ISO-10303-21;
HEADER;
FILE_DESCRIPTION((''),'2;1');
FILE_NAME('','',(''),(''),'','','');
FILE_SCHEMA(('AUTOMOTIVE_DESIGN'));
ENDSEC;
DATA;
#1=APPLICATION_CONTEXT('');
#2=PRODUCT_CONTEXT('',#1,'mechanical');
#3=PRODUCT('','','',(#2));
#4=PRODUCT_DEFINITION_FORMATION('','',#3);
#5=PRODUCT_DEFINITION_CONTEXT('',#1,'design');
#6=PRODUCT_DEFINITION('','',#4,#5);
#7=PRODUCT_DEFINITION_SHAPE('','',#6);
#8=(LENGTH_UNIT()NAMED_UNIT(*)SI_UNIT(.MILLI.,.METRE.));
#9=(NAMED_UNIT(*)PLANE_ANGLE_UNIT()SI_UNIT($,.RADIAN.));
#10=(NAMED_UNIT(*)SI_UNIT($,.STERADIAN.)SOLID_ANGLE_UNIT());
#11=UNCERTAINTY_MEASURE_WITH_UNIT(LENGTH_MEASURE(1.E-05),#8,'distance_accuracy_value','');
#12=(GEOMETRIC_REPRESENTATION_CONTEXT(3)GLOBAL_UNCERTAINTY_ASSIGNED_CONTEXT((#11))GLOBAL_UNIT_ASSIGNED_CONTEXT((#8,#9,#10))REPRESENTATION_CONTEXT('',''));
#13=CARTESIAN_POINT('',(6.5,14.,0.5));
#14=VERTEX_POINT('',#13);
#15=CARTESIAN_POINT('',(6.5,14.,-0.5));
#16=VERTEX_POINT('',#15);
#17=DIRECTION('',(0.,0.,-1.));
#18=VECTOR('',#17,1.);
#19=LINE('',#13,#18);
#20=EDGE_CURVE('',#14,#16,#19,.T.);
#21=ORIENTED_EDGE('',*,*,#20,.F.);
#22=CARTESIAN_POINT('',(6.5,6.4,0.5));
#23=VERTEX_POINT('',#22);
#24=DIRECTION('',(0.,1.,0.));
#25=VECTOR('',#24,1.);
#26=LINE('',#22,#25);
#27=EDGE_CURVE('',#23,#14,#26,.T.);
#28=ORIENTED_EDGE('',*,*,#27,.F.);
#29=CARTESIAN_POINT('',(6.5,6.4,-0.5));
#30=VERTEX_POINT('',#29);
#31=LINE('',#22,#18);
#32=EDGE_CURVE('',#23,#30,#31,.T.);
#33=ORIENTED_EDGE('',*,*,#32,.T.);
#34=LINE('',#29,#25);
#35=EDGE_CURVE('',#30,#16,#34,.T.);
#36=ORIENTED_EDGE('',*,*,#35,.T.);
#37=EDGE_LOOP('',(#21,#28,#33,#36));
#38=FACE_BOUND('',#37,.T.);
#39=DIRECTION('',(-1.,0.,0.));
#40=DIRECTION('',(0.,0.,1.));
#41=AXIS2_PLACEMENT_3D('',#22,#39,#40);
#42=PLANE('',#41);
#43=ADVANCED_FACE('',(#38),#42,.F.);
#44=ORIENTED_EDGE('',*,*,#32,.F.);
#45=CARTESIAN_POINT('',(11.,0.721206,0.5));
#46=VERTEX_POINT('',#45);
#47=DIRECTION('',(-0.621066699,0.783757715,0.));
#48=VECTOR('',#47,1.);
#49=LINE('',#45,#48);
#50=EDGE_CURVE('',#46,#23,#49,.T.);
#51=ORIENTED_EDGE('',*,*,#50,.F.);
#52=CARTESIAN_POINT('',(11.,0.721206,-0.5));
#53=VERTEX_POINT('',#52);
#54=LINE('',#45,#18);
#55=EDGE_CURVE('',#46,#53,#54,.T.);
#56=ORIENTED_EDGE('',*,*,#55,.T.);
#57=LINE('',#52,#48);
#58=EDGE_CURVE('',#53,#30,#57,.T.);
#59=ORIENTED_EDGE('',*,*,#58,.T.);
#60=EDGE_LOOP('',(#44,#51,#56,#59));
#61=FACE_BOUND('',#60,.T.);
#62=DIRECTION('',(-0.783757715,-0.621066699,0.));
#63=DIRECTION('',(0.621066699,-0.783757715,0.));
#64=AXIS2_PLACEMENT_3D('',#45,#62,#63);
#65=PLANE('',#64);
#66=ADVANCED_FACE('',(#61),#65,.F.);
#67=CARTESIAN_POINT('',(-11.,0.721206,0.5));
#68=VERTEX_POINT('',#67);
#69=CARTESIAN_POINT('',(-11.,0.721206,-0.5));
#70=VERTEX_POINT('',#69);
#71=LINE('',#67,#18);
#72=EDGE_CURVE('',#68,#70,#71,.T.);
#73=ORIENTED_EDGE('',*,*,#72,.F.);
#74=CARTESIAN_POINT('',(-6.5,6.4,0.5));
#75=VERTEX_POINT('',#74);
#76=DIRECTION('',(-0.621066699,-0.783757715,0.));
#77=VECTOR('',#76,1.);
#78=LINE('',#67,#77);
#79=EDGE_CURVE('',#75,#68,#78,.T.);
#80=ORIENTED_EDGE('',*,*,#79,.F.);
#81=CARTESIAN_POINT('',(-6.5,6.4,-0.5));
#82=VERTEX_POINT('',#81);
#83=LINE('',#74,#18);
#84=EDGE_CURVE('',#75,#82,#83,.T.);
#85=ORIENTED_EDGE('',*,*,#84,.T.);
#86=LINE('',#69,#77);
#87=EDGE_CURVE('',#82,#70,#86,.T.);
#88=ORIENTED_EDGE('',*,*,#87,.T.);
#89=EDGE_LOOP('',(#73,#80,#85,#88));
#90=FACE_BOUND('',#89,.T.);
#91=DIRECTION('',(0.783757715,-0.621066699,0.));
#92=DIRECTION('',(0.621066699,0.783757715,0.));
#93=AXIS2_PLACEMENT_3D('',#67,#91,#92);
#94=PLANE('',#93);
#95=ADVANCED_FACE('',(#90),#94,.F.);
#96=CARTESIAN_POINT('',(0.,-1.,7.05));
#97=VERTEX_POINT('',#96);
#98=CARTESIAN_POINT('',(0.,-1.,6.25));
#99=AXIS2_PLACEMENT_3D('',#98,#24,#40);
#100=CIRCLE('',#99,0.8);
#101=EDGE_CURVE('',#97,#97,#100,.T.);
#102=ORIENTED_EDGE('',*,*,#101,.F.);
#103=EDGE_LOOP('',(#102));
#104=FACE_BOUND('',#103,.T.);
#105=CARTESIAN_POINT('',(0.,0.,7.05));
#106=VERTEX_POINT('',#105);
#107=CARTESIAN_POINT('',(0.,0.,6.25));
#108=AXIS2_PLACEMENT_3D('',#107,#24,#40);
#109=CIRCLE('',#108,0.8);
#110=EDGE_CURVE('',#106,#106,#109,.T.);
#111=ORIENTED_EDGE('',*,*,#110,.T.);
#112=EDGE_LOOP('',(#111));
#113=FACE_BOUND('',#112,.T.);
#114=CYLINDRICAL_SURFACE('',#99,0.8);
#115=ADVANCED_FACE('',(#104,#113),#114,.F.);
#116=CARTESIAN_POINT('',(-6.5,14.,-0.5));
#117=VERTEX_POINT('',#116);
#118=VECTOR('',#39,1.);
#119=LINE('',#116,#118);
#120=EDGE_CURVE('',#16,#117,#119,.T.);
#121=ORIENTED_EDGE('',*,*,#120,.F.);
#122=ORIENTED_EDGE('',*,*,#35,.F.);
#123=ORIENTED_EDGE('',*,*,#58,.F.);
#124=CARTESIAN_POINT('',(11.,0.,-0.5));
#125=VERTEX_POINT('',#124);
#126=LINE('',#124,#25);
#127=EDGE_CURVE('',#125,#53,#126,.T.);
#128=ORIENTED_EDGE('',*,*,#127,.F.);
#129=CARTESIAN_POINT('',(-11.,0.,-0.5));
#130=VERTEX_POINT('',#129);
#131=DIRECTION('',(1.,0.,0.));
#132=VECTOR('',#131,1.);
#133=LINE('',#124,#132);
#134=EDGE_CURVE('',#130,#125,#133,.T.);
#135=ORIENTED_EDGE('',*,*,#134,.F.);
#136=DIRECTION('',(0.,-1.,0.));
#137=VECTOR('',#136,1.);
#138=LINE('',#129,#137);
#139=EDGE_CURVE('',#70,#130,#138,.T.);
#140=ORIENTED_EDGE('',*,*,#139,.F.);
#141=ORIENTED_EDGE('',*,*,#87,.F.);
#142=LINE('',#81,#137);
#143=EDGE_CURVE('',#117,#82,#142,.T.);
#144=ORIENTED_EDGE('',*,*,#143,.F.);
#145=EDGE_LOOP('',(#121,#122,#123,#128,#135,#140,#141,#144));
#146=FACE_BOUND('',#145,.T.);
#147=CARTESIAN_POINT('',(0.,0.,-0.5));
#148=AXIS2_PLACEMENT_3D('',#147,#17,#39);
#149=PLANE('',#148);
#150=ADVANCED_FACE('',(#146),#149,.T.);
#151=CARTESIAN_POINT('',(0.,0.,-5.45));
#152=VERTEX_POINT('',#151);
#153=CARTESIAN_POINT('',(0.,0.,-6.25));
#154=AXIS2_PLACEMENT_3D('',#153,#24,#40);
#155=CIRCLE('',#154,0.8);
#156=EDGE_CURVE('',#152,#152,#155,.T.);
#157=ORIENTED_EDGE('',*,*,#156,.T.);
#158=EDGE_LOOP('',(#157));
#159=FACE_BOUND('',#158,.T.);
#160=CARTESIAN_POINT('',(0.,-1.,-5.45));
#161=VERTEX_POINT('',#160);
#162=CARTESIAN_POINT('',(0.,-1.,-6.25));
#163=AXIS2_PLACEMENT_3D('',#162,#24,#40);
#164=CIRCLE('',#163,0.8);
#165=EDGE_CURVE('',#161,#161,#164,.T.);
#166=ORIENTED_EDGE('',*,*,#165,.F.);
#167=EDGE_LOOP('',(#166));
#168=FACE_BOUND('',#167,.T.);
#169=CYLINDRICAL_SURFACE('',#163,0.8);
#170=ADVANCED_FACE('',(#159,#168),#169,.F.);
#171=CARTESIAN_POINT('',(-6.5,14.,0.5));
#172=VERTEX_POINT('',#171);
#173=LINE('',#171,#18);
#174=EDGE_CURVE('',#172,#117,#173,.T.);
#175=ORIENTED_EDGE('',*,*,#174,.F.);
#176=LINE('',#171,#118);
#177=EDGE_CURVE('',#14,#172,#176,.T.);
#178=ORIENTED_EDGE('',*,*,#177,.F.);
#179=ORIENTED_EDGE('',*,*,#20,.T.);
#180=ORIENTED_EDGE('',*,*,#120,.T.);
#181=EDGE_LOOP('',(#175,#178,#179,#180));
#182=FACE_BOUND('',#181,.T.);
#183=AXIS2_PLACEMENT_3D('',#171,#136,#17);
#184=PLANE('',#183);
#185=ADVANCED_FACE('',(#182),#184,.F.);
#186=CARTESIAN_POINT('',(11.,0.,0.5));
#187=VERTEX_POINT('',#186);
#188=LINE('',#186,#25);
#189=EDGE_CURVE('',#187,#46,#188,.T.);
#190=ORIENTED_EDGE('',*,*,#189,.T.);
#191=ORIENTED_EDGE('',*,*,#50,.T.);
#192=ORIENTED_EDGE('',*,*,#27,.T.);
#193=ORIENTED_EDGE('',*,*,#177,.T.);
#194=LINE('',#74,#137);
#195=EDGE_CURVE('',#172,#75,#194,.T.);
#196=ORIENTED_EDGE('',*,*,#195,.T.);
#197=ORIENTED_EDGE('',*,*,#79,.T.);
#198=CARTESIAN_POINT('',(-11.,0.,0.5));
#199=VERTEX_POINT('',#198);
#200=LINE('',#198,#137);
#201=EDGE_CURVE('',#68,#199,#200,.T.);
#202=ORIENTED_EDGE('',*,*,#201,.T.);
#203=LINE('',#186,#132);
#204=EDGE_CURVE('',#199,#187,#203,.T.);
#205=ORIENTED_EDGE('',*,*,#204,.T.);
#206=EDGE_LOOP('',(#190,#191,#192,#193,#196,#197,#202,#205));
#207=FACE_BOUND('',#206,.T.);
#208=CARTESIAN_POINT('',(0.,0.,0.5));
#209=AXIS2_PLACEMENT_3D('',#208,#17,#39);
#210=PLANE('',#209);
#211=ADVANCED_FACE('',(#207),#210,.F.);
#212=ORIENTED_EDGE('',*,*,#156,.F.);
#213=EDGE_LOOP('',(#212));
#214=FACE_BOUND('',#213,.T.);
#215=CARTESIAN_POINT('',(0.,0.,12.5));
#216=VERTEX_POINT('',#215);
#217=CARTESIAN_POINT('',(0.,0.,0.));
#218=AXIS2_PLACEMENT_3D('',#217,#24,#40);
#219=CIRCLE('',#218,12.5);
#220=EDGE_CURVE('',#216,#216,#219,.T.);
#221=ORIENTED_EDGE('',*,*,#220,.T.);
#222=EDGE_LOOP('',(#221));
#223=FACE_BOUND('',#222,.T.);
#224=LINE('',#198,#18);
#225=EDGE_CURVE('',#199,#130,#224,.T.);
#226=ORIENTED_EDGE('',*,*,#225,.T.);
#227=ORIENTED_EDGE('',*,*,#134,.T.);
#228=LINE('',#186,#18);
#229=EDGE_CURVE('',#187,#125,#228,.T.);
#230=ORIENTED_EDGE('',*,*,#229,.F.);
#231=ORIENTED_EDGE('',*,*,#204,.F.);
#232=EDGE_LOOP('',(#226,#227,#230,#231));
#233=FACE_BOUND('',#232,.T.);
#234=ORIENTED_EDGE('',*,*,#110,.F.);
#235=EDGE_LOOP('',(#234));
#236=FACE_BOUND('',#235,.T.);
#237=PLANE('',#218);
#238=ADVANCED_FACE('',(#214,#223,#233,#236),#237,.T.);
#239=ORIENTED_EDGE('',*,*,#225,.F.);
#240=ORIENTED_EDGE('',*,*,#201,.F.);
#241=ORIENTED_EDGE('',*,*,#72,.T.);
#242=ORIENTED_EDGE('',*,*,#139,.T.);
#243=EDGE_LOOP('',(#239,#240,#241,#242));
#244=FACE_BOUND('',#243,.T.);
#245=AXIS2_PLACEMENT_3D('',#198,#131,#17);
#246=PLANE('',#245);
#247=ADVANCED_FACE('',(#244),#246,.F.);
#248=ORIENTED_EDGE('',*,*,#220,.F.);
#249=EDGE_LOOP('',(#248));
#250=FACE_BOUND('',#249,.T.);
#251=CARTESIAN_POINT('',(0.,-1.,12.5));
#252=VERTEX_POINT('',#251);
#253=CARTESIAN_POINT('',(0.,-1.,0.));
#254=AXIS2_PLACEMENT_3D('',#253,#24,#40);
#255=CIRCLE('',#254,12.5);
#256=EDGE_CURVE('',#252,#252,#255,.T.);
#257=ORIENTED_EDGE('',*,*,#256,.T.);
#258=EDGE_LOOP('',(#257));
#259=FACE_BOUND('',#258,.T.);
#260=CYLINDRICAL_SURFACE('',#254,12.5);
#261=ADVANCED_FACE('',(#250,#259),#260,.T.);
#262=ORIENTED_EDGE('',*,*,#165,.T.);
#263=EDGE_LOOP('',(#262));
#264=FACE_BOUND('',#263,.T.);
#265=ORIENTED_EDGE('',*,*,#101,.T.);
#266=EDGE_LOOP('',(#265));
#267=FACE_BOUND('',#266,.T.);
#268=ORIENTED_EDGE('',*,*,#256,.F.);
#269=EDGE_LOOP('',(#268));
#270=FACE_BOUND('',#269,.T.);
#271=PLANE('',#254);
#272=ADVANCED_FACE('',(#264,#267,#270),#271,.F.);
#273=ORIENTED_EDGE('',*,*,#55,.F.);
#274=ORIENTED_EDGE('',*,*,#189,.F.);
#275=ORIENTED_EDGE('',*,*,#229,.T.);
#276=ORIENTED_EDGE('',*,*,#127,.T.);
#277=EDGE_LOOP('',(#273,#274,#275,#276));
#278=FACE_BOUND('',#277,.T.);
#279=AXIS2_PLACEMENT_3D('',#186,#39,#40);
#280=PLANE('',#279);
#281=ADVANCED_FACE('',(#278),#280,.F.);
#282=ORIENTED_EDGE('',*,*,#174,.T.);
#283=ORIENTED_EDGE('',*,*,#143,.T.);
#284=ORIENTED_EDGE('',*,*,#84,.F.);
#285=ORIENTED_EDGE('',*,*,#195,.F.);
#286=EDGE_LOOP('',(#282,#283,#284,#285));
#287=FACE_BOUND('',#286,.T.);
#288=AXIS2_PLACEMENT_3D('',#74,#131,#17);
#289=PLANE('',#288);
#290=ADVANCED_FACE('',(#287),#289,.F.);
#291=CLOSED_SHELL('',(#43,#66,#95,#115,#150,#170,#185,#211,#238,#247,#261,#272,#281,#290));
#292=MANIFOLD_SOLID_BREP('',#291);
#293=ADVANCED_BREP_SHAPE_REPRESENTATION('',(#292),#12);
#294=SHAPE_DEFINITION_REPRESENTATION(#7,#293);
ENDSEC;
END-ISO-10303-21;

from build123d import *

# Parameters (mm, degrees)
SKETCH1_R           = 12.5
SKETCH1_R_2         = 0.8
BOSS_EXTRUDE1_DEPTH = 1
BOSS_EXTRUDE2_DEPTH = 0.5


with BuildPart() as part:
    # Sketch1 → Boss-Extrude1 (new body)
    with BuildSketch(Plane(origin=(0, 0, 0), x_dir=(1, 0, 0), z_dir=(0, 1, 0))):
        with Locations(Location((0, 0, 0), (0, 0, 270))):
            Circle(SKETCH1_R)
        with Locations(Location((0, 6.25, 0), (0, 0, 270))):
            Circle(SKETCH1_R_2, mode=Mode.SUBTRACT)
        with Locations(Location((0, -6.25, 0), (0, 0, 270))):
            Circle(SKETCH1_R_2, mode=Mode.SUBTRACT)
    extrude(amount=-BOSS_EXTRUDE1_DEPTH)

    # Sketch2 → Boss-Extrude2 (add, symmetric)
    with BuildSketch(Plane.XY):
        Polygon((-11, 0), (-11, 0.721206206), (-6.5, 6.4), (-6.5, 14), (6.5, 14), (6.5, 6.4), (11, 0.721206206), (11, 0), align=None)
    extrude(amount=BOSS_EXTRUDE2_DEPTH, both=True)


solid = part.part
